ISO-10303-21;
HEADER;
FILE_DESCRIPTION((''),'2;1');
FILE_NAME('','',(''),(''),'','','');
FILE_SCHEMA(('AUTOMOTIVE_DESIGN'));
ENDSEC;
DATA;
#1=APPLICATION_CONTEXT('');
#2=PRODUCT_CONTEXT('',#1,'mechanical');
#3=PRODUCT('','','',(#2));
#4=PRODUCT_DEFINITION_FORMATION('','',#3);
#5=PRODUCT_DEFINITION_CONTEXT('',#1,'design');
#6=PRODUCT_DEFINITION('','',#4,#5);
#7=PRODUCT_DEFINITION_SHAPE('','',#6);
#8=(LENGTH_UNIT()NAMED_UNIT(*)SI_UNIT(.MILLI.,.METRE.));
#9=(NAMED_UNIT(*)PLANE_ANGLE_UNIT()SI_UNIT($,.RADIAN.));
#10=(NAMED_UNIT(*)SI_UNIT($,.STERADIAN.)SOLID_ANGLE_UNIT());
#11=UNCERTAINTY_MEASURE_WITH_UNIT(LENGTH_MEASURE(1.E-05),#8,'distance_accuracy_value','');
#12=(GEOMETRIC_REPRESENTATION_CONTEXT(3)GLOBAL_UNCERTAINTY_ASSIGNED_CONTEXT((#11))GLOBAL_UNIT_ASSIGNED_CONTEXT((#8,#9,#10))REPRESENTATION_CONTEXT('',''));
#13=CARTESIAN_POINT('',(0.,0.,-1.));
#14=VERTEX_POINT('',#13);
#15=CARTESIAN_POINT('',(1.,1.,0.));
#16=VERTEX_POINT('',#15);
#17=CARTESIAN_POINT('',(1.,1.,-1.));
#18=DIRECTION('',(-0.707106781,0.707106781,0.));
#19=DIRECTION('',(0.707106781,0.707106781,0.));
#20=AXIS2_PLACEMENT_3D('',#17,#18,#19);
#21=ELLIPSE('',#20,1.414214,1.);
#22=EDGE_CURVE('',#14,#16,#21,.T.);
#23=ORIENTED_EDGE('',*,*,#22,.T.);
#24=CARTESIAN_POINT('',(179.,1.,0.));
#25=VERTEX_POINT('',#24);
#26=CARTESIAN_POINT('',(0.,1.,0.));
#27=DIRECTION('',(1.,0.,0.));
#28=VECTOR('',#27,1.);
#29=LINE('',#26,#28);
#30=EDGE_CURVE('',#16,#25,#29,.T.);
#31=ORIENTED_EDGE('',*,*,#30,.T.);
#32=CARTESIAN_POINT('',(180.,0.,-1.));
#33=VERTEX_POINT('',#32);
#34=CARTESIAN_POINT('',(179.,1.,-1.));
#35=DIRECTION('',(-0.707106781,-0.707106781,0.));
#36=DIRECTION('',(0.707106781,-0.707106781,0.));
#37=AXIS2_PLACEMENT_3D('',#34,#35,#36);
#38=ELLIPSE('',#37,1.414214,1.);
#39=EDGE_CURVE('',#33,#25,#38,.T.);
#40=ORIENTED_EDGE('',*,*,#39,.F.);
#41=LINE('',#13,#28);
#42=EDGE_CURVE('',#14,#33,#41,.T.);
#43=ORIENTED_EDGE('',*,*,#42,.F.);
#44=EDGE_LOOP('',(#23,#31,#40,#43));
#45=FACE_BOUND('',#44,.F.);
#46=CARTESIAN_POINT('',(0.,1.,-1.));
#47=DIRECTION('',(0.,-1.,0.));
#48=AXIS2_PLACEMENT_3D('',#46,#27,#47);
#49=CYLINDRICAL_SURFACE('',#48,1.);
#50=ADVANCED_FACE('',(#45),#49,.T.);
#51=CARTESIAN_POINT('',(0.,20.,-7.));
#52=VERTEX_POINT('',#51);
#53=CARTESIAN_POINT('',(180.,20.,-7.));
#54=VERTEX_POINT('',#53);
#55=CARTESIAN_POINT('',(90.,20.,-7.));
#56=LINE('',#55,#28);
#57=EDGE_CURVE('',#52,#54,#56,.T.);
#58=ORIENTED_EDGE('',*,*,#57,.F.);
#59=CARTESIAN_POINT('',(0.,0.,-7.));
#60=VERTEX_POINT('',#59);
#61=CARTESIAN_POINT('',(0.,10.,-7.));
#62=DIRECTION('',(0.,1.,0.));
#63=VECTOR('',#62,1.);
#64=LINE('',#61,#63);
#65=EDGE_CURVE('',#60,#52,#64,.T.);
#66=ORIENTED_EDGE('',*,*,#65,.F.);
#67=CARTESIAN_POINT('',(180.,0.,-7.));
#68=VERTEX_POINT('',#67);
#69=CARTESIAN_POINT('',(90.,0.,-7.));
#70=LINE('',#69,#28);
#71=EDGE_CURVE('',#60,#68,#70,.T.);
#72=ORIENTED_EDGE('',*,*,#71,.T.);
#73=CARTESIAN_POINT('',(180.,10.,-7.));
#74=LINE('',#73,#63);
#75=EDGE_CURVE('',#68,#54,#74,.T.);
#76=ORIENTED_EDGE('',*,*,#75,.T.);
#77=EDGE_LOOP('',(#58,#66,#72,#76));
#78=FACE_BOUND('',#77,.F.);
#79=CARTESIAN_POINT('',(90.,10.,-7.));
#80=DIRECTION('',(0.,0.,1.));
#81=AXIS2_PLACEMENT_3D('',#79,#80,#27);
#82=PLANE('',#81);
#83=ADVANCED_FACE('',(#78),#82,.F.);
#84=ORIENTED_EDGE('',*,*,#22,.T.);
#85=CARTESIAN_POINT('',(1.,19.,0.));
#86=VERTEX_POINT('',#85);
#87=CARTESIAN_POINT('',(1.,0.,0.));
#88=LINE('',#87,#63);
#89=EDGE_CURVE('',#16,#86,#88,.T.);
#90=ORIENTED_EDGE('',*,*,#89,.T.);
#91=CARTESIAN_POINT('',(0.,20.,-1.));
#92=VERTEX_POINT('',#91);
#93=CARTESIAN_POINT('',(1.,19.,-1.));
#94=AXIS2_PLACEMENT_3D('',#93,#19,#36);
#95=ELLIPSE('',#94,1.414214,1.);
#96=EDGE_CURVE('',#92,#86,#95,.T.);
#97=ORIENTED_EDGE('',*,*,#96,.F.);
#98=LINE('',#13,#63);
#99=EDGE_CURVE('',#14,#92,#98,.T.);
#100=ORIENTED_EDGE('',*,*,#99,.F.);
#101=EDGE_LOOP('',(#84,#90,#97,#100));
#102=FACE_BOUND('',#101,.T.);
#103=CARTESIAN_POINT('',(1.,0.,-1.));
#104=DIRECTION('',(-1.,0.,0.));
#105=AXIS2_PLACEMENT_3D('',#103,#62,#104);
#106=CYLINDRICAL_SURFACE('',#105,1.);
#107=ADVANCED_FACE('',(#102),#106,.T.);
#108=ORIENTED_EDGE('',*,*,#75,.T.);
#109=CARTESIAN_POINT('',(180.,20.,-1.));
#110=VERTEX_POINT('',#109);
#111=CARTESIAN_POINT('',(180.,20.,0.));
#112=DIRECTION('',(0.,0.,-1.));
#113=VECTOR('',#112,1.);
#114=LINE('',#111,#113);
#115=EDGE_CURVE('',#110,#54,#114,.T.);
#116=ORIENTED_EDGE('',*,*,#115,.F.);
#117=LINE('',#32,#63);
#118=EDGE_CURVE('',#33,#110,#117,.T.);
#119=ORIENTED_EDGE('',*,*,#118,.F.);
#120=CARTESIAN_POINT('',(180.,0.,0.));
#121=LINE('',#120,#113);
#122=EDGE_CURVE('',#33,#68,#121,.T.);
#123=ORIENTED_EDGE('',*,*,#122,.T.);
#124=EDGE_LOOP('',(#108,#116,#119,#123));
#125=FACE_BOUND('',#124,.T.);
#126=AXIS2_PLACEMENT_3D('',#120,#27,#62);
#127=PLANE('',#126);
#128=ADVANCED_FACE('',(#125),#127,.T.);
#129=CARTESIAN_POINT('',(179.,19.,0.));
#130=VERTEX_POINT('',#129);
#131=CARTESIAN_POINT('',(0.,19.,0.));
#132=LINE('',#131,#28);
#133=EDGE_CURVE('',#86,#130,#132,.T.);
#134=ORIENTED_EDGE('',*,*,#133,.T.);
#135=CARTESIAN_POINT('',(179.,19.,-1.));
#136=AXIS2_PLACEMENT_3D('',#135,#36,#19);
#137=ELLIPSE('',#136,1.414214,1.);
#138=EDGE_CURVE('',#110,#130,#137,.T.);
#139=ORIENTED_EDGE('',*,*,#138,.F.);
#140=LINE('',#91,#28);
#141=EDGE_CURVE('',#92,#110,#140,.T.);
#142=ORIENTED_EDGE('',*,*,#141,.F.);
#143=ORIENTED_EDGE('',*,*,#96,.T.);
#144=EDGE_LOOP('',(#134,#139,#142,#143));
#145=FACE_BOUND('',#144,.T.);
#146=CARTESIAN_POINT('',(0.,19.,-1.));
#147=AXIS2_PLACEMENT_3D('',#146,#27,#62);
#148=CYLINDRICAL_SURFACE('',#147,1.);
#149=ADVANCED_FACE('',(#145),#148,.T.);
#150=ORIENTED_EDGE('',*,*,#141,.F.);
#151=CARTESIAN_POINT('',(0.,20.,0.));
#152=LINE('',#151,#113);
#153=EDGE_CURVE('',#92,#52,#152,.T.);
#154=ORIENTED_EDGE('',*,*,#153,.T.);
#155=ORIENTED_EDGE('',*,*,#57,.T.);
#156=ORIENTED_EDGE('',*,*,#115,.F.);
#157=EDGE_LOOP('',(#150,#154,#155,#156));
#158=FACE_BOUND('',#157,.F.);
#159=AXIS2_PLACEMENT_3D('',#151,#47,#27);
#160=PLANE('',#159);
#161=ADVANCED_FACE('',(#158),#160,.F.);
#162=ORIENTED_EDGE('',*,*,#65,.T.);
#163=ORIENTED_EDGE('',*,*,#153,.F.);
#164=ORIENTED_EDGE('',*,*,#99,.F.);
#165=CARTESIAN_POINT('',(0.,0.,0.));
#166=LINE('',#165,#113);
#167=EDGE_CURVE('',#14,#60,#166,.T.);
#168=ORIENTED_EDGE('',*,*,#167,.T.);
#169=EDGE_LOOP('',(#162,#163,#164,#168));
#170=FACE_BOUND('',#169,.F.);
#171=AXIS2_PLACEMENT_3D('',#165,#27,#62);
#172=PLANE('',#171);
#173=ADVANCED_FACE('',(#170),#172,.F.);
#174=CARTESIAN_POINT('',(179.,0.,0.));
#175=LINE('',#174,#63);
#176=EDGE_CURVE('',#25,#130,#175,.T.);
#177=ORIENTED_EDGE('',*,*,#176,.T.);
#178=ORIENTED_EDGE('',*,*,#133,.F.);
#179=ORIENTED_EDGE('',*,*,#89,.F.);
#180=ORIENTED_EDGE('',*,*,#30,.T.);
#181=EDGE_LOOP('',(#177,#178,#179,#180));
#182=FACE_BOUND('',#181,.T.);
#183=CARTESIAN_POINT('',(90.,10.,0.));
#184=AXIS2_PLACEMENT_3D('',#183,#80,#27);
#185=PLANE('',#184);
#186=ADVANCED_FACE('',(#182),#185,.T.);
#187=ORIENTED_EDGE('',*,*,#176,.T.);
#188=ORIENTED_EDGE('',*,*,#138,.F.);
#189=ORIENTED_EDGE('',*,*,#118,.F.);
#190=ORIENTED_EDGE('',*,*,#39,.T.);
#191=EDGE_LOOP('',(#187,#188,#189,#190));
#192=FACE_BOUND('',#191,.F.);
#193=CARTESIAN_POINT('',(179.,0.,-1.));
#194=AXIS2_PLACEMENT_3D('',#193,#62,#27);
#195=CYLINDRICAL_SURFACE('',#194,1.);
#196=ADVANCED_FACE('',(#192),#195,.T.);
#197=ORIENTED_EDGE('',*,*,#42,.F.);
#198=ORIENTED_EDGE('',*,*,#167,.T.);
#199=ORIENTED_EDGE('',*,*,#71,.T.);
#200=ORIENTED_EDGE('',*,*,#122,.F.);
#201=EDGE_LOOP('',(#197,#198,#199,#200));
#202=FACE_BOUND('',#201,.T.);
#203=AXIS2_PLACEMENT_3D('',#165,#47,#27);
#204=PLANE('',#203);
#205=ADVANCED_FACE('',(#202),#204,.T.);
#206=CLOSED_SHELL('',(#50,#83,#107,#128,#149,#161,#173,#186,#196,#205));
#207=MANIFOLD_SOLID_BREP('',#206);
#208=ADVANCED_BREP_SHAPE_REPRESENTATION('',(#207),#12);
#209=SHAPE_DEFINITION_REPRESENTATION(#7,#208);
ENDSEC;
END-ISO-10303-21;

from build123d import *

# Parameters (mm, degrees)
F0_W     = 180
F0_H     = 20
F1_DEPTH = 7
F2_R     = 1


with BuildPart() as f1:
    # F0 (on Top) → F1 (new body)
    with BuildSketch(Plane.XY):
        with Locations((90, 10)):
            Rectangle(F0_W, F0_H)
    extrude(amount=-F1_DEPTH)

    # F2
    f2_edges = [f1.edges().sort_by_distance(p)[0] for p in [
        (90, 20, 0),
        (0, 10, 0),
        (90, 0, 0),
        (180, 10, 0),
    ]]
    fillet(f2_edges, radius=F2_R)


solid = f1.part
